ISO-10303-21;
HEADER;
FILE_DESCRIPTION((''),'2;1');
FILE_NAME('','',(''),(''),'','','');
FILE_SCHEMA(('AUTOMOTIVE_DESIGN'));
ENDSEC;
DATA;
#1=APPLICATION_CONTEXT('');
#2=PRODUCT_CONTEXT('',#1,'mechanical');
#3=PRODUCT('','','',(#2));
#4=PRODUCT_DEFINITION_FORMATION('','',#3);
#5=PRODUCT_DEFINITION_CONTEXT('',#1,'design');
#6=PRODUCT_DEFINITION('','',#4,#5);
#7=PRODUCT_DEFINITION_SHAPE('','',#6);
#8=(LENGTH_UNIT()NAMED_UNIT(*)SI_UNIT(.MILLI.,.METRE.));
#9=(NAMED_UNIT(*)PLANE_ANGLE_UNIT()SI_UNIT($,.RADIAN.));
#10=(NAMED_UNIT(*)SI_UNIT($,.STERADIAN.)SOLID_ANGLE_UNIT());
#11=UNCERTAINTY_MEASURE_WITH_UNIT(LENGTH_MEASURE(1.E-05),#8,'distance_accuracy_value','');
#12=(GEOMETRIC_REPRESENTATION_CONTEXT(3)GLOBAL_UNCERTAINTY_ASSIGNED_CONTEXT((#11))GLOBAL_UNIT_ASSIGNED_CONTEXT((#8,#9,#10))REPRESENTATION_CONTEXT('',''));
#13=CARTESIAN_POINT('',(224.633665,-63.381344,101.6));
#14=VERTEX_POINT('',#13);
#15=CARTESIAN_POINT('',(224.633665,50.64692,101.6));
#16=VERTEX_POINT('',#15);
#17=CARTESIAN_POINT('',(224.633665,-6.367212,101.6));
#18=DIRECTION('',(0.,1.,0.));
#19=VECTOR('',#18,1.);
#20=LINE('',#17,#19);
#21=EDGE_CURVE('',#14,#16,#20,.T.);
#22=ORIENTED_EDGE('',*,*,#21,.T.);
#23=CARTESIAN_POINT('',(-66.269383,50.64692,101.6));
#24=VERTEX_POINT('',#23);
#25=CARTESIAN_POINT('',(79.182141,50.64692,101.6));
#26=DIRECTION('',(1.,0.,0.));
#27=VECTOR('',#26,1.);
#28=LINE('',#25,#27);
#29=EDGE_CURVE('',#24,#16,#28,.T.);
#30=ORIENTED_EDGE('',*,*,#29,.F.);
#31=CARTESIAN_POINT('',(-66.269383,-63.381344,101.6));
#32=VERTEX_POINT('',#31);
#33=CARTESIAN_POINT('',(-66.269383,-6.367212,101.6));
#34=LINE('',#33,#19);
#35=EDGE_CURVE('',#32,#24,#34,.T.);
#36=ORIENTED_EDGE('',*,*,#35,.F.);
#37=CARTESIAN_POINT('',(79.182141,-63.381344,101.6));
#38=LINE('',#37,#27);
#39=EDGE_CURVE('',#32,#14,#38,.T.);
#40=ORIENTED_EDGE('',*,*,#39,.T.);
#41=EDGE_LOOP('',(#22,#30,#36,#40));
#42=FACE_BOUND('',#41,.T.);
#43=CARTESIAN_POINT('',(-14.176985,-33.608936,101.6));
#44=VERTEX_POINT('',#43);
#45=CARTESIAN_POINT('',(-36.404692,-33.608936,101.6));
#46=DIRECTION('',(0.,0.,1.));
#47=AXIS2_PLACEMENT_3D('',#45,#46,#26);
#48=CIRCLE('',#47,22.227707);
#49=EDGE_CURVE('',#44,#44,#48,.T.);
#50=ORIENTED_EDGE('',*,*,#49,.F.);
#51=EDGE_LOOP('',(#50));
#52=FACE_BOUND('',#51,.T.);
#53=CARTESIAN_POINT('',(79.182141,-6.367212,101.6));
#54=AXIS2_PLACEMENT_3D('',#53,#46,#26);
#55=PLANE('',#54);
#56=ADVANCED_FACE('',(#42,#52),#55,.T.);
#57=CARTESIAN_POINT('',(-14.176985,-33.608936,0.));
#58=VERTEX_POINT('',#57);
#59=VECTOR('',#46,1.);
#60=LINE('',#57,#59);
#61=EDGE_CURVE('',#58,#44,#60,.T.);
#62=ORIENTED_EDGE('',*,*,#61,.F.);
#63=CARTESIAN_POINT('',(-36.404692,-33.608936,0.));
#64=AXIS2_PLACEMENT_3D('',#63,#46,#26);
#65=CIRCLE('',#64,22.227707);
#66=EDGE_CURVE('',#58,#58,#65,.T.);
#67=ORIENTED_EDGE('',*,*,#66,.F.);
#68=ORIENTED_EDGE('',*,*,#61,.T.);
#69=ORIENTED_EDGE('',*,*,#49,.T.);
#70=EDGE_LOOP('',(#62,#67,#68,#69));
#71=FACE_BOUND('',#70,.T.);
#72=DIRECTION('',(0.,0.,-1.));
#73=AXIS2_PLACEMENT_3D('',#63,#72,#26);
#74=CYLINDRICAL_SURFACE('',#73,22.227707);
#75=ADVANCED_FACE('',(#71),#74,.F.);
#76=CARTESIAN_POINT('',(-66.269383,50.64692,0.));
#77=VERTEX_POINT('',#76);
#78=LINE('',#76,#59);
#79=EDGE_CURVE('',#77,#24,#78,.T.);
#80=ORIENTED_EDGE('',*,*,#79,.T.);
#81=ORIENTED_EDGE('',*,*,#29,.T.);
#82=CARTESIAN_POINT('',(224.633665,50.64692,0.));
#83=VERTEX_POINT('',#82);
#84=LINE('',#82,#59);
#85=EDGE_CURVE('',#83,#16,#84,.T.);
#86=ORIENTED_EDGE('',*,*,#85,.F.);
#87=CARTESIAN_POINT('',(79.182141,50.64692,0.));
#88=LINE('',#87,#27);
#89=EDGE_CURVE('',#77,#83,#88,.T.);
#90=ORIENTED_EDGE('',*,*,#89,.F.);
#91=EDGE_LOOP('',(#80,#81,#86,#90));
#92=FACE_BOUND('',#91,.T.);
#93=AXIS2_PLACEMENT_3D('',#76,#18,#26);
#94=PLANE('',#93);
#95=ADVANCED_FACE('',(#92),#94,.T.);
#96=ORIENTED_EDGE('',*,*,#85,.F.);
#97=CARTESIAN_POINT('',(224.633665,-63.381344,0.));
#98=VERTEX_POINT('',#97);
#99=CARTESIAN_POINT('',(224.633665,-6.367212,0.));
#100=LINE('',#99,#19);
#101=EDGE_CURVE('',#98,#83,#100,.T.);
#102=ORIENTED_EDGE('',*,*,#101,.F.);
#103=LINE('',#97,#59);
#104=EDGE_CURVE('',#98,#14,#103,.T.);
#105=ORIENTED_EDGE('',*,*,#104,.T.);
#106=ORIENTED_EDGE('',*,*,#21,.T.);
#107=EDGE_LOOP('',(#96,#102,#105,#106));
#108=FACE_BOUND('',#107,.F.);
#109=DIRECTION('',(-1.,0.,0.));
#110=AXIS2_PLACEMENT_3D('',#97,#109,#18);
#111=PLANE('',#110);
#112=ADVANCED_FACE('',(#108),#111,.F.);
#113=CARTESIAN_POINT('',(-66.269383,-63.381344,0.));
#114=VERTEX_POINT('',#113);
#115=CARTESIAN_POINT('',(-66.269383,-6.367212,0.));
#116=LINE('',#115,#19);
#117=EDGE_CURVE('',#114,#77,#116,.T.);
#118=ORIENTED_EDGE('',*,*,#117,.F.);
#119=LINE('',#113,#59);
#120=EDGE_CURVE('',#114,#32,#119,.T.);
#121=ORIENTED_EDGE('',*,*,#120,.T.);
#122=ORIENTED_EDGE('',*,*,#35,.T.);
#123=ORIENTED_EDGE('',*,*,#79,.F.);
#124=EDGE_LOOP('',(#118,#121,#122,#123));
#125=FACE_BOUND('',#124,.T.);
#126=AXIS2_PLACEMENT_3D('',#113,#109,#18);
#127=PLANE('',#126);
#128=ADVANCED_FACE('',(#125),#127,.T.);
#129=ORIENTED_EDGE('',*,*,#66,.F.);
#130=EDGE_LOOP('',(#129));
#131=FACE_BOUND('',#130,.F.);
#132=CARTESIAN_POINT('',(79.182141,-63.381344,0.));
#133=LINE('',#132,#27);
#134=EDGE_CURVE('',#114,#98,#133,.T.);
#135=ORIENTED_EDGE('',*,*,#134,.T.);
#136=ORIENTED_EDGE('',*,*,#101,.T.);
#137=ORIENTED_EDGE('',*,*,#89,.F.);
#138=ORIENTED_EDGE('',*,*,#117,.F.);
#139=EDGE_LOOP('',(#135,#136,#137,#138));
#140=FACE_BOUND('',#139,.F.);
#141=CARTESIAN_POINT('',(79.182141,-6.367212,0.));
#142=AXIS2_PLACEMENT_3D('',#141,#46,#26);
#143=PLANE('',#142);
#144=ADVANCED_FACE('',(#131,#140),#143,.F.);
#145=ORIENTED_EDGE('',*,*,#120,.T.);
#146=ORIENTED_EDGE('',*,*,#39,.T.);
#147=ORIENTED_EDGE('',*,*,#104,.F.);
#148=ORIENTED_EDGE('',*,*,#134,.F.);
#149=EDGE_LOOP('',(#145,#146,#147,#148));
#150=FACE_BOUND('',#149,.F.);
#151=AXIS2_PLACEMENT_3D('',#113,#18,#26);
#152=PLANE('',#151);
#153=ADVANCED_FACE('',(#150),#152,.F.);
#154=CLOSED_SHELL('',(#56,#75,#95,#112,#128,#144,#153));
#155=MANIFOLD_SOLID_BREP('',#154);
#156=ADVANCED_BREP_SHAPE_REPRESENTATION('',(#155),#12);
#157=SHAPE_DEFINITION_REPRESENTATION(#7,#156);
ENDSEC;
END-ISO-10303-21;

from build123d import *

# Parameters (mm, degrees)
F0_W     = 290.903047
F0_H     = 114.028264
F0_R     = 22.227707
F1_DEPTH = 101.6
F3_DEPTH = 25.4


with BuildPart() as f1:
    # F0 (on Top) → F1 (new body)
    with BuildSketch(Plane.XY):
        with Locations((79.182141, -6.367212)):
            Rectangle(F0_W, F0_H)
        with Locations((-36.404692, -33.608936)):
            Circle(F0_R, mode=Mode.SUBTRACT)
    extrude(amount=F1_DEPTH)

    # F2 (on face) → F3 (cut)
    with BuildSketch(Plane.XY.offset(101.6)):
        with BuildLine():
            Line((113.667183, 17.614277), (90.719864, 17.614277))
            Line((90.719864, 17.614277), (90.719864, 3.507722))
            ThreePointArc((90.719864, 3.507722), (96.879223, -42.829117), (113.667183, 0.796618))
            Line((113.667183, 0.796618), (113.667183, 17.614277))
        make_face()
    extrude(amount=F3_DEPTH, mode=Mode.SUBTRACT)


solid = f1.part
